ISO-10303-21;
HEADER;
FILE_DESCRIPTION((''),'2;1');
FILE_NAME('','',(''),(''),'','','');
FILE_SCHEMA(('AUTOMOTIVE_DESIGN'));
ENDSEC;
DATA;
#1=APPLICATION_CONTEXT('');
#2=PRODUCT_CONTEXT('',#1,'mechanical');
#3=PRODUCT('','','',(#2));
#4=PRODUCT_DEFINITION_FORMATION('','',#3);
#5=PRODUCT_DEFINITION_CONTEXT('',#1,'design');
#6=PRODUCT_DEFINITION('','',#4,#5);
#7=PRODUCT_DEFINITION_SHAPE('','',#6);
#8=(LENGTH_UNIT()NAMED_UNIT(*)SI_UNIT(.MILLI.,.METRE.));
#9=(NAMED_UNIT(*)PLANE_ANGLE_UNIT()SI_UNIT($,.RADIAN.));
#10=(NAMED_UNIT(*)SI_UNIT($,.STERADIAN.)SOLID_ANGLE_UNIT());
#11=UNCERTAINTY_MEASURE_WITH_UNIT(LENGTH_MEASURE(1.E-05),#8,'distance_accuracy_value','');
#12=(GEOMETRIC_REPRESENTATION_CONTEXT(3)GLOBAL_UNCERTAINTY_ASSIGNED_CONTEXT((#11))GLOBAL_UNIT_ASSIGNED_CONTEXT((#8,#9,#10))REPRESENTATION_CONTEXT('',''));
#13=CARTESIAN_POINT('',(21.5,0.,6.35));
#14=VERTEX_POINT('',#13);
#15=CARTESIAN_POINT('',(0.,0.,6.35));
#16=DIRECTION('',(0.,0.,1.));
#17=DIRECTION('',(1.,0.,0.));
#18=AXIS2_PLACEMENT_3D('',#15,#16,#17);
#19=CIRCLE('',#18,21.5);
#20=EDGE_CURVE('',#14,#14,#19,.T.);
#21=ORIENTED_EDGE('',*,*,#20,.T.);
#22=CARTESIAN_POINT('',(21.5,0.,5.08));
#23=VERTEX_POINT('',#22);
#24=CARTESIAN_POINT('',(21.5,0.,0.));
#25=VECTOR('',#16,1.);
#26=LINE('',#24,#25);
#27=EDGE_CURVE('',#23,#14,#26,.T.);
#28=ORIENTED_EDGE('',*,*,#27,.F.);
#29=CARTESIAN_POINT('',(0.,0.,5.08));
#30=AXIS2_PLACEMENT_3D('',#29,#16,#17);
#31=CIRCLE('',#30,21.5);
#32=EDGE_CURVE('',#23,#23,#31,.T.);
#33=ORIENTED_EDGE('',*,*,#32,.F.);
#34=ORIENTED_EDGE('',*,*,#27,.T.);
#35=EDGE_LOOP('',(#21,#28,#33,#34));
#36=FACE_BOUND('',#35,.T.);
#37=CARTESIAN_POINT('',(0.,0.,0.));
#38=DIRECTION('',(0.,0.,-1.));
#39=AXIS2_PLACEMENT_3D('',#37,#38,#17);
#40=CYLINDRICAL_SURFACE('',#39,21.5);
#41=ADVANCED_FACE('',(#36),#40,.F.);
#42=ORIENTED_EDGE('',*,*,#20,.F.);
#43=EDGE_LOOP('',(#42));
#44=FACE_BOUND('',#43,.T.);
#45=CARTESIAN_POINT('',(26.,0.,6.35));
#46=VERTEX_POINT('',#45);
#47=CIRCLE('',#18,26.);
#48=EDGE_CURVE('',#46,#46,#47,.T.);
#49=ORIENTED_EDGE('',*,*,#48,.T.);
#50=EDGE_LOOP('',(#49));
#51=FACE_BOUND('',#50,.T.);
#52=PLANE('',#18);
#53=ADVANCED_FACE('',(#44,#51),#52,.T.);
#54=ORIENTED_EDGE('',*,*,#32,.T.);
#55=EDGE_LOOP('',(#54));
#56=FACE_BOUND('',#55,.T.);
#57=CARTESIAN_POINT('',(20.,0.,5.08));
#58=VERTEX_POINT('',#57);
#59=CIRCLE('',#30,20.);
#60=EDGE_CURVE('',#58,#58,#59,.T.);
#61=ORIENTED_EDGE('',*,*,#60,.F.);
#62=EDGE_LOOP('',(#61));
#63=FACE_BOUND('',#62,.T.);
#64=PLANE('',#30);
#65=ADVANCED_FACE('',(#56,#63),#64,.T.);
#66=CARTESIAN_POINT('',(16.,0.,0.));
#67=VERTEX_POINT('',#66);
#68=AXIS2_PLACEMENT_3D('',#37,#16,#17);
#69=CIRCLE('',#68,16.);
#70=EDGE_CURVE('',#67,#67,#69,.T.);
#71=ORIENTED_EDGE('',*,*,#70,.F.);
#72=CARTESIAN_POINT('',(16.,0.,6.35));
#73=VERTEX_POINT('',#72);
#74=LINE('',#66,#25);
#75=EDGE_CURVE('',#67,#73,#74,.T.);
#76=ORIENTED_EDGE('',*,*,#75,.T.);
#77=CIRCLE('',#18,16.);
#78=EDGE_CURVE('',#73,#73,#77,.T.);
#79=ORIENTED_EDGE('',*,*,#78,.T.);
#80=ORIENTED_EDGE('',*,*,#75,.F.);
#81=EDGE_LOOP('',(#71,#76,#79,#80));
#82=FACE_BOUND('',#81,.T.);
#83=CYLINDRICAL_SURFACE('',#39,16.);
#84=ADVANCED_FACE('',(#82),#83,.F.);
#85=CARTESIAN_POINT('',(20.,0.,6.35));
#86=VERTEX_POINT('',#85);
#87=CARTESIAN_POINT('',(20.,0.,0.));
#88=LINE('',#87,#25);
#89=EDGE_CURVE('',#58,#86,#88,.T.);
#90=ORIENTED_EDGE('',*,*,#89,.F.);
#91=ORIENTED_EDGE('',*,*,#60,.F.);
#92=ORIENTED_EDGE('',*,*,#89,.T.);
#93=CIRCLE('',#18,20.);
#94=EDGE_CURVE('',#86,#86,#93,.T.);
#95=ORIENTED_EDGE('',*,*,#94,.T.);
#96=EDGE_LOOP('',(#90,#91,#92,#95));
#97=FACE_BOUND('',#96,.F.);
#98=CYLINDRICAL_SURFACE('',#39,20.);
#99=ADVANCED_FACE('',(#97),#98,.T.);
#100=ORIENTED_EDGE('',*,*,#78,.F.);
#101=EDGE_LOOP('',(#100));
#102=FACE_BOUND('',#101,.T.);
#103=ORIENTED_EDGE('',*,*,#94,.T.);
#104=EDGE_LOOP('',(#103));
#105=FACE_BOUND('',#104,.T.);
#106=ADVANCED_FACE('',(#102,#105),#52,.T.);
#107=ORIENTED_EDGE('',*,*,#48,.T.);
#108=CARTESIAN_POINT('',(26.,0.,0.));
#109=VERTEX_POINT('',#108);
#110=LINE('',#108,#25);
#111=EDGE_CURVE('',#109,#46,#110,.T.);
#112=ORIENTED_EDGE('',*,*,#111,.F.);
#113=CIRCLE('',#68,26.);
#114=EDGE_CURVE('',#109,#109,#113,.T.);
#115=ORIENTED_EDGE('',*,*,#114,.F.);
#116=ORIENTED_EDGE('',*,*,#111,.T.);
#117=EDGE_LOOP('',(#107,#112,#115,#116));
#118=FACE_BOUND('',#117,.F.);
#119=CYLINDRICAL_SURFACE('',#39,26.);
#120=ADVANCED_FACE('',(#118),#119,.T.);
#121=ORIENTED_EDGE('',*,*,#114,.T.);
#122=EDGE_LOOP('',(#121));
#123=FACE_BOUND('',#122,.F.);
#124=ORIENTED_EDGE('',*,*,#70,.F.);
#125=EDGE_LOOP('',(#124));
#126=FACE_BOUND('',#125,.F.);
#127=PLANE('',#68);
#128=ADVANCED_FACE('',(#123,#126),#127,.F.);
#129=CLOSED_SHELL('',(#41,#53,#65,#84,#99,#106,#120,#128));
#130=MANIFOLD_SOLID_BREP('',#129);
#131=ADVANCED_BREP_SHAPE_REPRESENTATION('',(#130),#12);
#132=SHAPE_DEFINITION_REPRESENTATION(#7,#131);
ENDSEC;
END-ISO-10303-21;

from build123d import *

# Parameters (mm, degrees)
F0_R     = 20
F0_R_2   = 16
F1_DEPTH = 6.35
F0_R_3   = 21.5
F2_DEPTH = 5.08
F0_R_4   = 26
F3_DEPTH = 6.35


with BuildPart() as f1:
    # F0 (on Top) → F1 (new body)
    with BuildSketch(Plane.XY):
        Circle(F0_R)
        Circle(F0_R_2, mode=Mode.SUBTRACT)
    extrude(amount=F1_DEPTH)

    # F0 (on Top) → F2 (join)
    with BuildSketch(Plane.XY):
        Circle(F0_R_3)
        Circle(F0_R, mode=Mode.SUBTRACT)
    extrude(amount=F2_DEPTH)

    # F0 (on Top) → F3 (join)
    with BuildSketch(Plane.XY):
        Circle(F0_R_4)
        Circle(F0_R_3, mode=Mode.SUBTRACT)
    extrude(amount=F3_DEPTH)


solid = f1.part
